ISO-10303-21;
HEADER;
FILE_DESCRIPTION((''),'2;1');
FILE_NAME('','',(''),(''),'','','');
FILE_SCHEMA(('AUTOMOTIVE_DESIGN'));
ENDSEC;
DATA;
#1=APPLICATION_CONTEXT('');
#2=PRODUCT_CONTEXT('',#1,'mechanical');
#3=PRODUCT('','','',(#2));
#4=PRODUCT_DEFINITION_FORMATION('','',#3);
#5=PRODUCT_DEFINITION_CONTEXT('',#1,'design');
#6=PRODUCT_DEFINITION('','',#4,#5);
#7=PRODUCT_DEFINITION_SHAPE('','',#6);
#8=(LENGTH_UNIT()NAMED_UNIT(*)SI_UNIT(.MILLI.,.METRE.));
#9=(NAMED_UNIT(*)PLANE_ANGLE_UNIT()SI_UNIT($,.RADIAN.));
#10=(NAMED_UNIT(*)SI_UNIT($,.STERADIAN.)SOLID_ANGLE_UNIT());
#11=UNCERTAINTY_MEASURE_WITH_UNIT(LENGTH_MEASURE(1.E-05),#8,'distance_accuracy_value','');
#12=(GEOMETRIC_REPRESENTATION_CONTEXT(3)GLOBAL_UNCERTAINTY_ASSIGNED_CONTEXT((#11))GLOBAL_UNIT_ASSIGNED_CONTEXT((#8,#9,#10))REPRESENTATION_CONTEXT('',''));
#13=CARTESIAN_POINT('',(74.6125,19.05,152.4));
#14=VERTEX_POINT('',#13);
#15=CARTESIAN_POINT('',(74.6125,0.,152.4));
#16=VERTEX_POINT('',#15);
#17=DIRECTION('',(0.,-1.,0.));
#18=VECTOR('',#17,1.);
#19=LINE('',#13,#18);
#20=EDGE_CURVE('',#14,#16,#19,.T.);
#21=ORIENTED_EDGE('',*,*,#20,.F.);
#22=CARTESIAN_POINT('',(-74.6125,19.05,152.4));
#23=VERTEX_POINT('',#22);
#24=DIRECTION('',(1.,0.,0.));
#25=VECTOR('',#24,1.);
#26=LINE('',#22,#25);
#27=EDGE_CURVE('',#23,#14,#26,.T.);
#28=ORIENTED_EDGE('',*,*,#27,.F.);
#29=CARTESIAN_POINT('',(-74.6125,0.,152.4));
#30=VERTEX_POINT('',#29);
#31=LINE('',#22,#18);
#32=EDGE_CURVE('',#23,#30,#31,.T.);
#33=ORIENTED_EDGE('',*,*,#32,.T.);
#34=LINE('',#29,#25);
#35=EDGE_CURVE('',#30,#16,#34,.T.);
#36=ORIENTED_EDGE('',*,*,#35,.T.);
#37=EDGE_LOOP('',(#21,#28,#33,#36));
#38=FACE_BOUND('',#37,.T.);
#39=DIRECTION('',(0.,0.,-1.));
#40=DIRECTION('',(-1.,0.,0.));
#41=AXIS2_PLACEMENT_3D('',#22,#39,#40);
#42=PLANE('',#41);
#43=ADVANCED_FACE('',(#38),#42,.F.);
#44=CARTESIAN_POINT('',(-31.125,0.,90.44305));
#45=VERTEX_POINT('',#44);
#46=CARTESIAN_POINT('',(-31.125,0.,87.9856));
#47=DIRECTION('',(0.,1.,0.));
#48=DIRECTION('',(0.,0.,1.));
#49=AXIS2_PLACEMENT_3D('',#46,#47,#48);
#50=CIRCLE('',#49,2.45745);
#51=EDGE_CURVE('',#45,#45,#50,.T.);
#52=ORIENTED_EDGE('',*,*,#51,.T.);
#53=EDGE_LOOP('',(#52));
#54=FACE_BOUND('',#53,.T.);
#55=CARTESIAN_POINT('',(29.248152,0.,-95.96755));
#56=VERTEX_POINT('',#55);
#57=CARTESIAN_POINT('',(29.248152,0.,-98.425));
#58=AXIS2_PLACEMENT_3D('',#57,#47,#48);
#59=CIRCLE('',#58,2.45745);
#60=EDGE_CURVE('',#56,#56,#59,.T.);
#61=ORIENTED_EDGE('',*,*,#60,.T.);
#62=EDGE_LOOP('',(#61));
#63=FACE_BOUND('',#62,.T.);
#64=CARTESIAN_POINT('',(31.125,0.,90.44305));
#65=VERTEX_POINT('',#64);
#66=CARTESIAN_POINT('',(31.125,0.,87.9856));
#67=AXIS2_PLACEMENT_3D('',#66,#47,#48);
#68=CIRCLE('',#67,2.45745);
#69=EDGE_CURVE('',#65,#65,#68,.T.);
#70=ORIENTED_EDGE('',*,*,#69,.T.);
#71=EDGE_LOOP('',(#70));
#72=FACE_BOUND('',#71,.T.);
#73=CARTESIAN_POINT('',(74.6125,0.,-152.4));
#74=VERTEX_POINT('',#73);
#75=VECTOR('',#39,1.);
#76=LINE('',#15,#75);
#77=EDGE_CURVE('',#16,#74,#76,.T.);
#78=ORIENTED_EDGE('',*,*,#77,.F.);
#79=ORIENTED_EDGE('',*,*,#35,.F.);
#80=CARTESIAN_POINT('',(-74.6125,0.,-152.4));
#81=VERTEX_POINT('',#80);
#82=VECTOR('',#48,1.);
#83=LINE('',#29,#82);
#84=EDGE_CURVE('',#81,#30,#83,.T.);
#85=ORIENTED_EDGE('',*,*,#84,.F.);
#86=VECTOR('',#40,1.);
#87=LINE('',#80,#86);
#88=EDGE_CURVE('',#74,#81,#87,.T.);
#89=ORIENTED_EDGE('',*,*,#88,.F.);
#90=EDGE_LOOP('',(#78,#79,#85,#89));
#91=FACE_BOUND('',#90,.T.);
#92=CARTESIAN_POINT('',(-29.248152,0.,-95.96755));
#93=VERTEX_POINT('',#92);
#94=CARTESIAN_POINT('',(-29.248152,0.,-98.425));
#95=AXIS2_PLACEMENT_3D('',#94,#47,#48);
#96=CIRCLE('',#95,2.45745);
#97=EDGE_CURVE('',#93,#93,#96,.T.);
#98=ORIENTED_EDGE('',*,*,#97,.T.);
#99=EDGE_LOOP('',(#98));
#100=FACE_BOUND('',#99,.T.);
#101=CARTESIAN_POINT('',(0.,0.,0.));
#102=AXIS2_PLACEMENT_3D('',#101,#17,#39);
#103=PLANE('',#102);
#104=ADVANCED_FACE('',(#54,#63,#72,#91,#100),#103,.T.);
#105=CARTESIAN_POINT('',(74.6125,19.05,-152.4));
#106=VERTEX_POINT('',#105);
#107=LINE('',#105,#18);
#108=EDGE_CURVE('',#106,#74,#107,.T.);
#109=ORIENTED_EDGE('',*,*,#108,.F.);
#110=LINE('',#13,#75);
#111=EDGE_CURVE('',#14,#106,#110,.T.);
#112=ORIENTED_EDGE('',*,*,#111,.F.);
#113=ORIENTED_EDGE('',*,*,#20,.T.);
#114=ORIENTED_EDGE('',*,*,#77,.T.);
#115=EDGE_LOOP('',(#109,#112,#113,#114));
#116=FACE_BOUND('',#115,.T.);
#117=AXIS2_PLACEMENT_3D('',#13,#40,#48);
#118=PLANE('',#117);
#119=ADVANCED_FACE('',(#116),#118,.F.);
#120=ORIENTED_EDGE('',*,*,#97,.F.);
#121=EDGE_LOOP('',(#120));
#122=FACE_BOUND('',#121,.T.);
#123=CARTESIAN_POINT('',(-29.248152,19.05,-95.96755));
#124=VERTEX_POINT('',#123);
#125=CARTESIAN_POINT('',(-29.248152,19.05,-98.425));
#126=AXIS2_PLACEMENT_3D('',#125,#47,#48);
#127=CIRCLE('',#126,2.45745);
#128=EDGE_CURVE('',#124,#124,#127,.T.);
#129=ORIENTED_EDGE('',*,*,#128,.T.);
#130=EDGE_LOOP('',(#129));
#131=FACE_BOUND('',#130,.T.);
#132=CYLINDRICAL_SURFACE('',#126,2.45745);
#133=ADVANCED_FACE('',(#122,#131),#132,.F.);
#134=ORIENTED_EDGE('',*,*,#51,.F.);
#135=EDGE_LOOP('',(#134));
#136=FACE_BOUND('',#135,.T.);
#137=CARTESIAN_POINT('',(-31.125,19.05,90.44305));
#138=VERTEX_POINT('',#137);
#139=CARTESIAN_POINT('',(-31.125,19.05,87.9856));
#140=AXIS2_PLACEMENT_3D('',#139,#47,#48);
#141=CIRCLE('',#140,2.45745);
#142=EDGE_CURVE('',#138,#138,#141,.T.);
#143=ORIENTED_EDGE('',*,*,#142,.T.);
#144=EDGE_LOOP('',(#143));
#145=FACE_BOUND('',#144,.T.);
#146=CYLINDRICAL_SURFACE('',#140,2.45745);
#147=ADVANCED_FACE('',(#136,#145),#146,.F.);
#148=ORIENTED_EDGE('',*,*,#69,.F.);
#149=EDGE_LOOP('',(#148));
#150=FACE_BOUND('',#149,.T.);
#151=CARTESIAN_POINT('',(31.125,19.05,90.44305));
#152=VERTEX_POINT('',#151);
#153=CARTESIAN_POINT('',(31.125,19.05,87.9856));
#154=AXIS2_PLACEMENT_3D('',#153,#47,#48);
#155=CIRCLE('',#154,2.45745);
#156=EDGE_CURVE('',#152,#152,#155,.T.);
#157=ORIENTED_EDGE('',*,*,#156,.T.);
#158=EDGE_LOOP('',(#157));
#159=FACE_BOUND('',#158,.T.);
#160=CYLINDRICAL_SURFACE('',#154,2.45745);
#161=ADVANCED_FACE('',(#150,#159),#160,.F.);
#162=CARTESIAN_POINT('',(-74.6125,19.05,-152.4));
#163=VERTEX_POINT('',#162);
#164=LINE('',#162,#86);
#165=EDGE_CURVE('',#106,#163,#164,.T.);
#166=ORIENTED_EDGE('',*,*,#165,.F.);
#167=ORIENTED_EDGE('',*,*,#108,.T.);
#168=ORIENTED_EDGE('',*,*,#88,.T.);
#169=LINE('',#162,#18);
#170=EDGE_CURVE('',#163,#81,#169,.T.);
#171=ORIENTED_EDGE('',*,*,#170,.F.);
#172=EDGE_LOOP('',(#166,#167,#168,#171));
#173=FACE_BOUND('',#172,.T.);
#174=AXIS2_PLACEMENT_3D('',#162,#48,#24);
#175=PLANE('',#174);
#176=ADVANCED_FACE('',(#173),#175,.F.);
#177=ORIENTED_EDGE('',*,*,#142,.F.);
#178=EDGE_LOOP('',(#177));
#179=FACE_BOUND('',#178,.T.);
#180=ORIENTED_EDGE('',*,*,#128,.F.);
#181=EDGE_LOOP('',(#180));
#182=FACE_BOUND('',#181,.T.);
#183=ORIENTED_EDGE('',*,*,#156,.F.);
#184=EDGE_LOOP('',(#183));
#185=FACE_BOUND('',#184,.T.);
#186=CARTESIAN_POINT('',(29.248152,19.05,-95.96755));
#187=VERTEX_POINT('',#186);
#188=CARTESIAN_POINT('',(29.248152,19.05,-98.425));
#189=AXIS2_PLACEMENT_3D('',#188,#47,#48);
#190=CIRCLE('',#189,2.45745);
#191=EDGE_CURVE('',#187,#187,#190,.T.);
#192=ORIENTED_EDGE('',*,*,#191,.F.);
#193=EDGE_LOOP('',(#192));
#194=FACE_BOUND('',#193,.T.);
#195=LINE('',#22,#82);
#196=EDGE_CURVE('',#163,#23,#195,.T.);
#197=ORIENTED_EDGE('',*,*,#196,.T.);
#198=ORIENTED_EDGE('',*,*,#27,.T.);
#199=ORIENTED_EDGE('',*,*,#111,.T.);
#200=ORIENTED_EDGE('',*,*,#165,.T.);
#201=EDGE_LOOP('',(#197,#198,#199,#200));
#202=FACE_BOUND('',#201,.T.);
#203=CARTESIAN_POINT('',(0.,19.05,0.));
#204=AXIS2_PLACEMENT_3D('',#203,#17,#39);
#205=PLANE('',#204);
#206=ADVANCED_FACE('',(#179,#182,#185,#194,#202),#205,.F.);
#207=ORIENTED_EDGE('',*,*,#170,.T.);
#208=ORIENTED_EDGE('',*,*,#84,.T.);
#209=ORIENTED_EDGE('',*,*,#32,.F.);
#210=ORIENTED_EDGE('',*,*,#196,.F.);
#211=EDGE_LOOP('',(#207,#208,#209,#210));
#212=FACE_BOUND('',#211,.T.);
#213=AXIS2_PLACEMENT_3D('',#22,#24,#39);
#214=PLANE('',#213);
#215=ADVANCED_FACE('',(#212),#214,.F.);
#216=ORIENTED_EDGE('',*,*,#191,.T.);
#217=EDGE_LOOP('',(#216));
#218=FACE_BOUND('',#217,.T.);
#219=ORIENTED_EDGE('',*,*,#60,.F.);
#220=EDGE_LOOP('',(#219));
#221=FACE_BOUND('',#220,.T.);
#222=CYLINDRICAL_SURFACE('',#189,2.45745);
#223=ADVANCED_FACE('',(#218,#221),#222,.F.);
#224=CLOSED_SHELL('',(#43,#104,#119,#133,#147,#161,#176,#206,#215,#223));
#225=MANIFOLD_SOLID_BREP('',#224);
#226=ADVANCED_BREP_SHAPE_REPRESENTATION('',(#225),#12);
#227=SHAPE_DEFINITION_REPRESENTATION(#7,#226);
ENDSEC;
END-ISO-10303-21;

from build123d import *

# Parameters (mm, degrees)
SKETCH1_W             = 149.225
SKETCH1_H             = 304.8
BOSS_EXTRUDE1_DEPTH   = 19.05
F_8_CLEARANCE_HOLE1_D = 4.9149
F_8_CLEARANCE_HOLE2_D = 4.9149


with BuildPart() as part:
    # Sketch1 → Boss-Extrude1 (new body)
    with BuildSketch(Plane(origin=(0, 0, 0), x_dir=(1, 0, 0), z_dir=(0, 1, 0))):
        Rectangle(SKETCH1_W, SKETCH1_H)
    extrude(amount=BOSS_EXTRUDE1_DEPTH)

    # #8 Clearance Hole1 (through all)
    with Locations(Plane(origin=(0, 19.05, 0), x_dir=(1, 0, 0), z_dir=(0, 1, 0))):
        with Locations((-29.248151984, 98.425), (29.248151984, 98.425)):
            Hole(F_8_CLEARANCE_HOLE1_D / 2)

    # #8 Clearance Hole2 (through all)
    with Locations(Plane(origin=(0, 19.05, 0), x_dir=(1, 0, 0), z_dir=(0, 1, 0))):
        with Locations((-31.125, -87.9856), (31.125, -87.9856)):
            Hole(F_8_CLEARANCE_HOLE2_D / 2)


solid = part.part
